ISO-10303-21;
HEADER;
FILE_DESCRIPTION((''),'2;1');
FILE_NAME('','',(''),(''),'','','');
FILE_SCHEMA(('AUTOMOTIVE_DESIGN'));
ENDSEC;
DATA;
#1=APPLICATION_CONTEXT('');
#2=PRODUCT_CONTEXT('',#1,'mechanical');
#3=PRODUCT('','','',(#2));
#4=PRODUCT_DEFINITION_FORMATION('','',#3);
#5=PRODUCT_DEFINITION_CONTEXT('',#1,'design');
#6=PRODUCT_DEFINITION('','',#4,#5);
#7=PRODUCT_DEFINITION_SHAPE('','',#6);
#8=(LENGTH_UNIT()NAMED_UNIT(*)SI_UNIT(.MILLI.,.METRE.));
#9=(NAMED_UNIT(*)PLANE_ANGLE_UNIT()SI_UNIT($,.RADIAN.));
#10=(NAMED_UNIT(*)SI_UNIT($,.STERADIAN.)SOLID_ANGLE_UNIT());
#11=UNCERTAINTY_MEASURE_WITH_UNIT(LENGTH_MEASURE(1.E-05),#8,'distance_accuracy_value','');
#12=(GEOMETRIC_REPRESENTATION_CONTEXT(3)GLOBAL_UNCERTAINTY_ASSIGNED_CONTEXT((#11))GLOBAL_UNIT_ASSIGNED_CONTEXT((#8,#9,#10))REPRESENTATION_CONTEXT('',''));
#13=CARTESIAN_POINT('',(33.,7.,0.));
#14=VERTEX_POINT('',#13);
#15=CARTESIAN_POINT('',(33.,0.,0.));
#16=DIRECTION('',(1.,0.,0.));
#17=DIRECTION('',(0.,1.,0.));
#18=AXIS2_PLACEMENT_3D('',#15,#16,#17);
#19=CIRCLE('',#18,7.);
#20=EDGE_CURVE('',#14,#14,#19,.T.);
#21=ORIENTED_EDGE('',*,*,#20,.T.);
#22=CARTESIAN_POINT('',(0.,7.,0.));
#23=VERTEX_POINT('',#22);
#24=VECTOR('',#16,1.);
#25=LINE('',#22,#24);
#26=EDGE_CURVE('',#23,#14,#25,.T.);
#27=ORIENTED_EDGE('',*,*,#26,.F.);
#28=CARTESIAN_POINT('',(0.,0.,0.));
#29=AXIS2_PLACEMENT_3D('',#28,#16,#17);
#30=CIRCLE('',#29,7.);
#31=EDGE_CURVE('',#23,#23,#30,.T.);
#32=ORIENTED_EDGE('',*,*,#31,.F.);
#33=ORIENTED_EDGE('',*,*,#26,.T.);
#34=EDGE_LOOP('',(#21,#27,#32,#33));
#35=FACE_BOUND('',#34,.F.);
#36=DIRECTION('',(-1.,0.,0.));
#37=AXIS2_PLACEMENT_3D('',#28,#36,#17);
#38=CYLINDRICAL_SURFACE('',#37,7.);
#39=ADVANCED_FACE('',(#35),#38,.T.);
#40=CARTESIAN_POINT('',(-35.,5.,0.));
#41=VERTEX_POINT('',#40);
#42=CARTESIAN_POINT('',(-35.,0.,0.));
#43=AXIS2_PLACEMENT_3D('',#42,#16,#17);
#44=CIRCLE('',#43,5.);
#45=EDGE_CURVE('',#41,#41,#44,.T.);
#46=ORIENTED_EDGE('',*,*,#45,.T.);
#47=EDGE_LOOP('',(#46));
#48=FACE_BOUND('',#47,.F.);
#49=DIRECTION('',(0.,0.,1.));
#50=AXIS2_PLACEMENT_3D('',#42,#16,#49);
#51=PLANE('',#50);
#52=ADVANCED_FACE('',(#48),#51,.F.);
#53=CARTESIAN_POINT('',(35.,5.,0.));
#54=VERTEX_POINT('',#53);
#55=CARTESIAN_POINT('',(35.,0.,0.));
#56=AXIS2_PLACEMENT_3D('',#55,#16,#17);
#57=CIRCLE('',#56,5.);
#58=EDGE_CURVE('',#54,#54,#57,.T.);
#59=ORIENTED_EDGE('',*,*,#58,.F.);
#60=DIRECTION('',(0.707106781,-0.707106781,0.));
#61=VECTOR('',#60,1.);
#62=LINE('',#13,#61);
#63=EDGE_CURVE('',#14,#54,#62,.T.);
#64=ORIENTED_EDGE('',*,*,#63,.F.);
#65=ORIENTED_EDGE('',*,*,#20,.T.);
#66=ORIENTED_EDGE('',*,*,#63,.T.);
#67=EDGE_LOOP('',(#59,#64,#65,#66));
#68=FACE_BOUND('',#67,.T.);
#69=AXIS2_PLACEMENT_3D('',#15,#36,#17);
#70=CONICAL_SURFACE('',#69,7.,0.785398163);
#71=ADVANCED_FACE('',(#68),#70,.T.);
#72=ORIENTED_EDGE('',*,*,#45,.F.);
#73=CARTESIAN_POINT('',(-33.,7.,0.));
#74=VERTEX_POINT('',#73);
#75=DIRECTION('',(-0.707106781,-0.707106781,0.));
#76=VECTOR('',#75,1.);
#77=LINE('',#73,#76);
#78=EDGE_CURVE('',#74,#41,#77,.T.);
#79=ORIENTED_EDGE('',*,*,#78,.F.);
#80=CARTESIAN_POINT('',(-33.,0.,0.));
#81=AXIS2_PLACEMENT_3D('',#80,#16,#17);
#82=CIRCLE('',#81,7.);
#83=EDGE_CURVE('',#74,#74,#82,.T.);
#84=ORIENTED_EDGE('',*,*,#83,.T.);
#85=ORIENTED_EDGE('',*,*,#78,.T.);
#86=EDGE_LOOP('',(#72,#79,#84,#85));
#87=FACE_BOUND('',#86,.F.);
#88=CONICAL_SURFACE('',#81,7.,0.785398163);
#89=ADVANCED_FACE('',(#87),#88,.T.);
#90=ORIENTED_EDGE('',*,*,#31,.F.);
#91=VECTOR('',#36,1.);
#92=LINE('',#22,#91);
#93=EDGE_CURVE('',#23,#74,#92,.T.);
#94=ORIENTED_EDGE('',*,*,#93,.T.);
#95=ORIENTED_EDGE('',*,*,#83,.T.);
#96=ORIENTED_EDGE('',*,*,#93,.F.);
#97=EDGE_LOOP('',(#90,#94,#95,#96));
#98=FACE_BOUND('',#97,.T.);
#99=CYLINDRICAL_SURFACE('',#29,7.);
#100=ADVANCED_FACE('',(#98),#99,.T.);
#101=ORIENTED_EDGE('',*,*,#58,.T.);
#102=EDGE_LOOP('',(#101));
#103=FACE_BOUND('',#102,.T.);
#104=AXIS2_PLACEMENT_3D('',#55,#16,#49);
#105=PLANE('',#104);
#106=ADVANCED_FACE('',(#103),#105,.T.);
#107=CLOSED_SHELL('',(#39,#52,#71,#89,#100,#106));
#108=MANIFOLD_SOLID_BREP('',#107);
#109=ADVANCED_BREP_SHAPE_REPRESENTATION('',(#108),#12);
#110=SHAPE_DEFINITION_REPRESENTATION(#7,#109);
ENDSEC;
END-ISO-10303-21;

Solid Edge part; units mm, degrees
sketch "Sketch1" plane through (0, 0, 0) normal (1, 0, 0) x (0, 1, 0)
  circle A0 centre (0, 0) radius 7
extrude "ExtrudedProtrusion_1" add sketch "Sketch1" along normal mid plane 70
chamfer "Chamfer_1" distance 2 angle 45 2 edges at (35, -7, 0) (-35, -7, 0)
